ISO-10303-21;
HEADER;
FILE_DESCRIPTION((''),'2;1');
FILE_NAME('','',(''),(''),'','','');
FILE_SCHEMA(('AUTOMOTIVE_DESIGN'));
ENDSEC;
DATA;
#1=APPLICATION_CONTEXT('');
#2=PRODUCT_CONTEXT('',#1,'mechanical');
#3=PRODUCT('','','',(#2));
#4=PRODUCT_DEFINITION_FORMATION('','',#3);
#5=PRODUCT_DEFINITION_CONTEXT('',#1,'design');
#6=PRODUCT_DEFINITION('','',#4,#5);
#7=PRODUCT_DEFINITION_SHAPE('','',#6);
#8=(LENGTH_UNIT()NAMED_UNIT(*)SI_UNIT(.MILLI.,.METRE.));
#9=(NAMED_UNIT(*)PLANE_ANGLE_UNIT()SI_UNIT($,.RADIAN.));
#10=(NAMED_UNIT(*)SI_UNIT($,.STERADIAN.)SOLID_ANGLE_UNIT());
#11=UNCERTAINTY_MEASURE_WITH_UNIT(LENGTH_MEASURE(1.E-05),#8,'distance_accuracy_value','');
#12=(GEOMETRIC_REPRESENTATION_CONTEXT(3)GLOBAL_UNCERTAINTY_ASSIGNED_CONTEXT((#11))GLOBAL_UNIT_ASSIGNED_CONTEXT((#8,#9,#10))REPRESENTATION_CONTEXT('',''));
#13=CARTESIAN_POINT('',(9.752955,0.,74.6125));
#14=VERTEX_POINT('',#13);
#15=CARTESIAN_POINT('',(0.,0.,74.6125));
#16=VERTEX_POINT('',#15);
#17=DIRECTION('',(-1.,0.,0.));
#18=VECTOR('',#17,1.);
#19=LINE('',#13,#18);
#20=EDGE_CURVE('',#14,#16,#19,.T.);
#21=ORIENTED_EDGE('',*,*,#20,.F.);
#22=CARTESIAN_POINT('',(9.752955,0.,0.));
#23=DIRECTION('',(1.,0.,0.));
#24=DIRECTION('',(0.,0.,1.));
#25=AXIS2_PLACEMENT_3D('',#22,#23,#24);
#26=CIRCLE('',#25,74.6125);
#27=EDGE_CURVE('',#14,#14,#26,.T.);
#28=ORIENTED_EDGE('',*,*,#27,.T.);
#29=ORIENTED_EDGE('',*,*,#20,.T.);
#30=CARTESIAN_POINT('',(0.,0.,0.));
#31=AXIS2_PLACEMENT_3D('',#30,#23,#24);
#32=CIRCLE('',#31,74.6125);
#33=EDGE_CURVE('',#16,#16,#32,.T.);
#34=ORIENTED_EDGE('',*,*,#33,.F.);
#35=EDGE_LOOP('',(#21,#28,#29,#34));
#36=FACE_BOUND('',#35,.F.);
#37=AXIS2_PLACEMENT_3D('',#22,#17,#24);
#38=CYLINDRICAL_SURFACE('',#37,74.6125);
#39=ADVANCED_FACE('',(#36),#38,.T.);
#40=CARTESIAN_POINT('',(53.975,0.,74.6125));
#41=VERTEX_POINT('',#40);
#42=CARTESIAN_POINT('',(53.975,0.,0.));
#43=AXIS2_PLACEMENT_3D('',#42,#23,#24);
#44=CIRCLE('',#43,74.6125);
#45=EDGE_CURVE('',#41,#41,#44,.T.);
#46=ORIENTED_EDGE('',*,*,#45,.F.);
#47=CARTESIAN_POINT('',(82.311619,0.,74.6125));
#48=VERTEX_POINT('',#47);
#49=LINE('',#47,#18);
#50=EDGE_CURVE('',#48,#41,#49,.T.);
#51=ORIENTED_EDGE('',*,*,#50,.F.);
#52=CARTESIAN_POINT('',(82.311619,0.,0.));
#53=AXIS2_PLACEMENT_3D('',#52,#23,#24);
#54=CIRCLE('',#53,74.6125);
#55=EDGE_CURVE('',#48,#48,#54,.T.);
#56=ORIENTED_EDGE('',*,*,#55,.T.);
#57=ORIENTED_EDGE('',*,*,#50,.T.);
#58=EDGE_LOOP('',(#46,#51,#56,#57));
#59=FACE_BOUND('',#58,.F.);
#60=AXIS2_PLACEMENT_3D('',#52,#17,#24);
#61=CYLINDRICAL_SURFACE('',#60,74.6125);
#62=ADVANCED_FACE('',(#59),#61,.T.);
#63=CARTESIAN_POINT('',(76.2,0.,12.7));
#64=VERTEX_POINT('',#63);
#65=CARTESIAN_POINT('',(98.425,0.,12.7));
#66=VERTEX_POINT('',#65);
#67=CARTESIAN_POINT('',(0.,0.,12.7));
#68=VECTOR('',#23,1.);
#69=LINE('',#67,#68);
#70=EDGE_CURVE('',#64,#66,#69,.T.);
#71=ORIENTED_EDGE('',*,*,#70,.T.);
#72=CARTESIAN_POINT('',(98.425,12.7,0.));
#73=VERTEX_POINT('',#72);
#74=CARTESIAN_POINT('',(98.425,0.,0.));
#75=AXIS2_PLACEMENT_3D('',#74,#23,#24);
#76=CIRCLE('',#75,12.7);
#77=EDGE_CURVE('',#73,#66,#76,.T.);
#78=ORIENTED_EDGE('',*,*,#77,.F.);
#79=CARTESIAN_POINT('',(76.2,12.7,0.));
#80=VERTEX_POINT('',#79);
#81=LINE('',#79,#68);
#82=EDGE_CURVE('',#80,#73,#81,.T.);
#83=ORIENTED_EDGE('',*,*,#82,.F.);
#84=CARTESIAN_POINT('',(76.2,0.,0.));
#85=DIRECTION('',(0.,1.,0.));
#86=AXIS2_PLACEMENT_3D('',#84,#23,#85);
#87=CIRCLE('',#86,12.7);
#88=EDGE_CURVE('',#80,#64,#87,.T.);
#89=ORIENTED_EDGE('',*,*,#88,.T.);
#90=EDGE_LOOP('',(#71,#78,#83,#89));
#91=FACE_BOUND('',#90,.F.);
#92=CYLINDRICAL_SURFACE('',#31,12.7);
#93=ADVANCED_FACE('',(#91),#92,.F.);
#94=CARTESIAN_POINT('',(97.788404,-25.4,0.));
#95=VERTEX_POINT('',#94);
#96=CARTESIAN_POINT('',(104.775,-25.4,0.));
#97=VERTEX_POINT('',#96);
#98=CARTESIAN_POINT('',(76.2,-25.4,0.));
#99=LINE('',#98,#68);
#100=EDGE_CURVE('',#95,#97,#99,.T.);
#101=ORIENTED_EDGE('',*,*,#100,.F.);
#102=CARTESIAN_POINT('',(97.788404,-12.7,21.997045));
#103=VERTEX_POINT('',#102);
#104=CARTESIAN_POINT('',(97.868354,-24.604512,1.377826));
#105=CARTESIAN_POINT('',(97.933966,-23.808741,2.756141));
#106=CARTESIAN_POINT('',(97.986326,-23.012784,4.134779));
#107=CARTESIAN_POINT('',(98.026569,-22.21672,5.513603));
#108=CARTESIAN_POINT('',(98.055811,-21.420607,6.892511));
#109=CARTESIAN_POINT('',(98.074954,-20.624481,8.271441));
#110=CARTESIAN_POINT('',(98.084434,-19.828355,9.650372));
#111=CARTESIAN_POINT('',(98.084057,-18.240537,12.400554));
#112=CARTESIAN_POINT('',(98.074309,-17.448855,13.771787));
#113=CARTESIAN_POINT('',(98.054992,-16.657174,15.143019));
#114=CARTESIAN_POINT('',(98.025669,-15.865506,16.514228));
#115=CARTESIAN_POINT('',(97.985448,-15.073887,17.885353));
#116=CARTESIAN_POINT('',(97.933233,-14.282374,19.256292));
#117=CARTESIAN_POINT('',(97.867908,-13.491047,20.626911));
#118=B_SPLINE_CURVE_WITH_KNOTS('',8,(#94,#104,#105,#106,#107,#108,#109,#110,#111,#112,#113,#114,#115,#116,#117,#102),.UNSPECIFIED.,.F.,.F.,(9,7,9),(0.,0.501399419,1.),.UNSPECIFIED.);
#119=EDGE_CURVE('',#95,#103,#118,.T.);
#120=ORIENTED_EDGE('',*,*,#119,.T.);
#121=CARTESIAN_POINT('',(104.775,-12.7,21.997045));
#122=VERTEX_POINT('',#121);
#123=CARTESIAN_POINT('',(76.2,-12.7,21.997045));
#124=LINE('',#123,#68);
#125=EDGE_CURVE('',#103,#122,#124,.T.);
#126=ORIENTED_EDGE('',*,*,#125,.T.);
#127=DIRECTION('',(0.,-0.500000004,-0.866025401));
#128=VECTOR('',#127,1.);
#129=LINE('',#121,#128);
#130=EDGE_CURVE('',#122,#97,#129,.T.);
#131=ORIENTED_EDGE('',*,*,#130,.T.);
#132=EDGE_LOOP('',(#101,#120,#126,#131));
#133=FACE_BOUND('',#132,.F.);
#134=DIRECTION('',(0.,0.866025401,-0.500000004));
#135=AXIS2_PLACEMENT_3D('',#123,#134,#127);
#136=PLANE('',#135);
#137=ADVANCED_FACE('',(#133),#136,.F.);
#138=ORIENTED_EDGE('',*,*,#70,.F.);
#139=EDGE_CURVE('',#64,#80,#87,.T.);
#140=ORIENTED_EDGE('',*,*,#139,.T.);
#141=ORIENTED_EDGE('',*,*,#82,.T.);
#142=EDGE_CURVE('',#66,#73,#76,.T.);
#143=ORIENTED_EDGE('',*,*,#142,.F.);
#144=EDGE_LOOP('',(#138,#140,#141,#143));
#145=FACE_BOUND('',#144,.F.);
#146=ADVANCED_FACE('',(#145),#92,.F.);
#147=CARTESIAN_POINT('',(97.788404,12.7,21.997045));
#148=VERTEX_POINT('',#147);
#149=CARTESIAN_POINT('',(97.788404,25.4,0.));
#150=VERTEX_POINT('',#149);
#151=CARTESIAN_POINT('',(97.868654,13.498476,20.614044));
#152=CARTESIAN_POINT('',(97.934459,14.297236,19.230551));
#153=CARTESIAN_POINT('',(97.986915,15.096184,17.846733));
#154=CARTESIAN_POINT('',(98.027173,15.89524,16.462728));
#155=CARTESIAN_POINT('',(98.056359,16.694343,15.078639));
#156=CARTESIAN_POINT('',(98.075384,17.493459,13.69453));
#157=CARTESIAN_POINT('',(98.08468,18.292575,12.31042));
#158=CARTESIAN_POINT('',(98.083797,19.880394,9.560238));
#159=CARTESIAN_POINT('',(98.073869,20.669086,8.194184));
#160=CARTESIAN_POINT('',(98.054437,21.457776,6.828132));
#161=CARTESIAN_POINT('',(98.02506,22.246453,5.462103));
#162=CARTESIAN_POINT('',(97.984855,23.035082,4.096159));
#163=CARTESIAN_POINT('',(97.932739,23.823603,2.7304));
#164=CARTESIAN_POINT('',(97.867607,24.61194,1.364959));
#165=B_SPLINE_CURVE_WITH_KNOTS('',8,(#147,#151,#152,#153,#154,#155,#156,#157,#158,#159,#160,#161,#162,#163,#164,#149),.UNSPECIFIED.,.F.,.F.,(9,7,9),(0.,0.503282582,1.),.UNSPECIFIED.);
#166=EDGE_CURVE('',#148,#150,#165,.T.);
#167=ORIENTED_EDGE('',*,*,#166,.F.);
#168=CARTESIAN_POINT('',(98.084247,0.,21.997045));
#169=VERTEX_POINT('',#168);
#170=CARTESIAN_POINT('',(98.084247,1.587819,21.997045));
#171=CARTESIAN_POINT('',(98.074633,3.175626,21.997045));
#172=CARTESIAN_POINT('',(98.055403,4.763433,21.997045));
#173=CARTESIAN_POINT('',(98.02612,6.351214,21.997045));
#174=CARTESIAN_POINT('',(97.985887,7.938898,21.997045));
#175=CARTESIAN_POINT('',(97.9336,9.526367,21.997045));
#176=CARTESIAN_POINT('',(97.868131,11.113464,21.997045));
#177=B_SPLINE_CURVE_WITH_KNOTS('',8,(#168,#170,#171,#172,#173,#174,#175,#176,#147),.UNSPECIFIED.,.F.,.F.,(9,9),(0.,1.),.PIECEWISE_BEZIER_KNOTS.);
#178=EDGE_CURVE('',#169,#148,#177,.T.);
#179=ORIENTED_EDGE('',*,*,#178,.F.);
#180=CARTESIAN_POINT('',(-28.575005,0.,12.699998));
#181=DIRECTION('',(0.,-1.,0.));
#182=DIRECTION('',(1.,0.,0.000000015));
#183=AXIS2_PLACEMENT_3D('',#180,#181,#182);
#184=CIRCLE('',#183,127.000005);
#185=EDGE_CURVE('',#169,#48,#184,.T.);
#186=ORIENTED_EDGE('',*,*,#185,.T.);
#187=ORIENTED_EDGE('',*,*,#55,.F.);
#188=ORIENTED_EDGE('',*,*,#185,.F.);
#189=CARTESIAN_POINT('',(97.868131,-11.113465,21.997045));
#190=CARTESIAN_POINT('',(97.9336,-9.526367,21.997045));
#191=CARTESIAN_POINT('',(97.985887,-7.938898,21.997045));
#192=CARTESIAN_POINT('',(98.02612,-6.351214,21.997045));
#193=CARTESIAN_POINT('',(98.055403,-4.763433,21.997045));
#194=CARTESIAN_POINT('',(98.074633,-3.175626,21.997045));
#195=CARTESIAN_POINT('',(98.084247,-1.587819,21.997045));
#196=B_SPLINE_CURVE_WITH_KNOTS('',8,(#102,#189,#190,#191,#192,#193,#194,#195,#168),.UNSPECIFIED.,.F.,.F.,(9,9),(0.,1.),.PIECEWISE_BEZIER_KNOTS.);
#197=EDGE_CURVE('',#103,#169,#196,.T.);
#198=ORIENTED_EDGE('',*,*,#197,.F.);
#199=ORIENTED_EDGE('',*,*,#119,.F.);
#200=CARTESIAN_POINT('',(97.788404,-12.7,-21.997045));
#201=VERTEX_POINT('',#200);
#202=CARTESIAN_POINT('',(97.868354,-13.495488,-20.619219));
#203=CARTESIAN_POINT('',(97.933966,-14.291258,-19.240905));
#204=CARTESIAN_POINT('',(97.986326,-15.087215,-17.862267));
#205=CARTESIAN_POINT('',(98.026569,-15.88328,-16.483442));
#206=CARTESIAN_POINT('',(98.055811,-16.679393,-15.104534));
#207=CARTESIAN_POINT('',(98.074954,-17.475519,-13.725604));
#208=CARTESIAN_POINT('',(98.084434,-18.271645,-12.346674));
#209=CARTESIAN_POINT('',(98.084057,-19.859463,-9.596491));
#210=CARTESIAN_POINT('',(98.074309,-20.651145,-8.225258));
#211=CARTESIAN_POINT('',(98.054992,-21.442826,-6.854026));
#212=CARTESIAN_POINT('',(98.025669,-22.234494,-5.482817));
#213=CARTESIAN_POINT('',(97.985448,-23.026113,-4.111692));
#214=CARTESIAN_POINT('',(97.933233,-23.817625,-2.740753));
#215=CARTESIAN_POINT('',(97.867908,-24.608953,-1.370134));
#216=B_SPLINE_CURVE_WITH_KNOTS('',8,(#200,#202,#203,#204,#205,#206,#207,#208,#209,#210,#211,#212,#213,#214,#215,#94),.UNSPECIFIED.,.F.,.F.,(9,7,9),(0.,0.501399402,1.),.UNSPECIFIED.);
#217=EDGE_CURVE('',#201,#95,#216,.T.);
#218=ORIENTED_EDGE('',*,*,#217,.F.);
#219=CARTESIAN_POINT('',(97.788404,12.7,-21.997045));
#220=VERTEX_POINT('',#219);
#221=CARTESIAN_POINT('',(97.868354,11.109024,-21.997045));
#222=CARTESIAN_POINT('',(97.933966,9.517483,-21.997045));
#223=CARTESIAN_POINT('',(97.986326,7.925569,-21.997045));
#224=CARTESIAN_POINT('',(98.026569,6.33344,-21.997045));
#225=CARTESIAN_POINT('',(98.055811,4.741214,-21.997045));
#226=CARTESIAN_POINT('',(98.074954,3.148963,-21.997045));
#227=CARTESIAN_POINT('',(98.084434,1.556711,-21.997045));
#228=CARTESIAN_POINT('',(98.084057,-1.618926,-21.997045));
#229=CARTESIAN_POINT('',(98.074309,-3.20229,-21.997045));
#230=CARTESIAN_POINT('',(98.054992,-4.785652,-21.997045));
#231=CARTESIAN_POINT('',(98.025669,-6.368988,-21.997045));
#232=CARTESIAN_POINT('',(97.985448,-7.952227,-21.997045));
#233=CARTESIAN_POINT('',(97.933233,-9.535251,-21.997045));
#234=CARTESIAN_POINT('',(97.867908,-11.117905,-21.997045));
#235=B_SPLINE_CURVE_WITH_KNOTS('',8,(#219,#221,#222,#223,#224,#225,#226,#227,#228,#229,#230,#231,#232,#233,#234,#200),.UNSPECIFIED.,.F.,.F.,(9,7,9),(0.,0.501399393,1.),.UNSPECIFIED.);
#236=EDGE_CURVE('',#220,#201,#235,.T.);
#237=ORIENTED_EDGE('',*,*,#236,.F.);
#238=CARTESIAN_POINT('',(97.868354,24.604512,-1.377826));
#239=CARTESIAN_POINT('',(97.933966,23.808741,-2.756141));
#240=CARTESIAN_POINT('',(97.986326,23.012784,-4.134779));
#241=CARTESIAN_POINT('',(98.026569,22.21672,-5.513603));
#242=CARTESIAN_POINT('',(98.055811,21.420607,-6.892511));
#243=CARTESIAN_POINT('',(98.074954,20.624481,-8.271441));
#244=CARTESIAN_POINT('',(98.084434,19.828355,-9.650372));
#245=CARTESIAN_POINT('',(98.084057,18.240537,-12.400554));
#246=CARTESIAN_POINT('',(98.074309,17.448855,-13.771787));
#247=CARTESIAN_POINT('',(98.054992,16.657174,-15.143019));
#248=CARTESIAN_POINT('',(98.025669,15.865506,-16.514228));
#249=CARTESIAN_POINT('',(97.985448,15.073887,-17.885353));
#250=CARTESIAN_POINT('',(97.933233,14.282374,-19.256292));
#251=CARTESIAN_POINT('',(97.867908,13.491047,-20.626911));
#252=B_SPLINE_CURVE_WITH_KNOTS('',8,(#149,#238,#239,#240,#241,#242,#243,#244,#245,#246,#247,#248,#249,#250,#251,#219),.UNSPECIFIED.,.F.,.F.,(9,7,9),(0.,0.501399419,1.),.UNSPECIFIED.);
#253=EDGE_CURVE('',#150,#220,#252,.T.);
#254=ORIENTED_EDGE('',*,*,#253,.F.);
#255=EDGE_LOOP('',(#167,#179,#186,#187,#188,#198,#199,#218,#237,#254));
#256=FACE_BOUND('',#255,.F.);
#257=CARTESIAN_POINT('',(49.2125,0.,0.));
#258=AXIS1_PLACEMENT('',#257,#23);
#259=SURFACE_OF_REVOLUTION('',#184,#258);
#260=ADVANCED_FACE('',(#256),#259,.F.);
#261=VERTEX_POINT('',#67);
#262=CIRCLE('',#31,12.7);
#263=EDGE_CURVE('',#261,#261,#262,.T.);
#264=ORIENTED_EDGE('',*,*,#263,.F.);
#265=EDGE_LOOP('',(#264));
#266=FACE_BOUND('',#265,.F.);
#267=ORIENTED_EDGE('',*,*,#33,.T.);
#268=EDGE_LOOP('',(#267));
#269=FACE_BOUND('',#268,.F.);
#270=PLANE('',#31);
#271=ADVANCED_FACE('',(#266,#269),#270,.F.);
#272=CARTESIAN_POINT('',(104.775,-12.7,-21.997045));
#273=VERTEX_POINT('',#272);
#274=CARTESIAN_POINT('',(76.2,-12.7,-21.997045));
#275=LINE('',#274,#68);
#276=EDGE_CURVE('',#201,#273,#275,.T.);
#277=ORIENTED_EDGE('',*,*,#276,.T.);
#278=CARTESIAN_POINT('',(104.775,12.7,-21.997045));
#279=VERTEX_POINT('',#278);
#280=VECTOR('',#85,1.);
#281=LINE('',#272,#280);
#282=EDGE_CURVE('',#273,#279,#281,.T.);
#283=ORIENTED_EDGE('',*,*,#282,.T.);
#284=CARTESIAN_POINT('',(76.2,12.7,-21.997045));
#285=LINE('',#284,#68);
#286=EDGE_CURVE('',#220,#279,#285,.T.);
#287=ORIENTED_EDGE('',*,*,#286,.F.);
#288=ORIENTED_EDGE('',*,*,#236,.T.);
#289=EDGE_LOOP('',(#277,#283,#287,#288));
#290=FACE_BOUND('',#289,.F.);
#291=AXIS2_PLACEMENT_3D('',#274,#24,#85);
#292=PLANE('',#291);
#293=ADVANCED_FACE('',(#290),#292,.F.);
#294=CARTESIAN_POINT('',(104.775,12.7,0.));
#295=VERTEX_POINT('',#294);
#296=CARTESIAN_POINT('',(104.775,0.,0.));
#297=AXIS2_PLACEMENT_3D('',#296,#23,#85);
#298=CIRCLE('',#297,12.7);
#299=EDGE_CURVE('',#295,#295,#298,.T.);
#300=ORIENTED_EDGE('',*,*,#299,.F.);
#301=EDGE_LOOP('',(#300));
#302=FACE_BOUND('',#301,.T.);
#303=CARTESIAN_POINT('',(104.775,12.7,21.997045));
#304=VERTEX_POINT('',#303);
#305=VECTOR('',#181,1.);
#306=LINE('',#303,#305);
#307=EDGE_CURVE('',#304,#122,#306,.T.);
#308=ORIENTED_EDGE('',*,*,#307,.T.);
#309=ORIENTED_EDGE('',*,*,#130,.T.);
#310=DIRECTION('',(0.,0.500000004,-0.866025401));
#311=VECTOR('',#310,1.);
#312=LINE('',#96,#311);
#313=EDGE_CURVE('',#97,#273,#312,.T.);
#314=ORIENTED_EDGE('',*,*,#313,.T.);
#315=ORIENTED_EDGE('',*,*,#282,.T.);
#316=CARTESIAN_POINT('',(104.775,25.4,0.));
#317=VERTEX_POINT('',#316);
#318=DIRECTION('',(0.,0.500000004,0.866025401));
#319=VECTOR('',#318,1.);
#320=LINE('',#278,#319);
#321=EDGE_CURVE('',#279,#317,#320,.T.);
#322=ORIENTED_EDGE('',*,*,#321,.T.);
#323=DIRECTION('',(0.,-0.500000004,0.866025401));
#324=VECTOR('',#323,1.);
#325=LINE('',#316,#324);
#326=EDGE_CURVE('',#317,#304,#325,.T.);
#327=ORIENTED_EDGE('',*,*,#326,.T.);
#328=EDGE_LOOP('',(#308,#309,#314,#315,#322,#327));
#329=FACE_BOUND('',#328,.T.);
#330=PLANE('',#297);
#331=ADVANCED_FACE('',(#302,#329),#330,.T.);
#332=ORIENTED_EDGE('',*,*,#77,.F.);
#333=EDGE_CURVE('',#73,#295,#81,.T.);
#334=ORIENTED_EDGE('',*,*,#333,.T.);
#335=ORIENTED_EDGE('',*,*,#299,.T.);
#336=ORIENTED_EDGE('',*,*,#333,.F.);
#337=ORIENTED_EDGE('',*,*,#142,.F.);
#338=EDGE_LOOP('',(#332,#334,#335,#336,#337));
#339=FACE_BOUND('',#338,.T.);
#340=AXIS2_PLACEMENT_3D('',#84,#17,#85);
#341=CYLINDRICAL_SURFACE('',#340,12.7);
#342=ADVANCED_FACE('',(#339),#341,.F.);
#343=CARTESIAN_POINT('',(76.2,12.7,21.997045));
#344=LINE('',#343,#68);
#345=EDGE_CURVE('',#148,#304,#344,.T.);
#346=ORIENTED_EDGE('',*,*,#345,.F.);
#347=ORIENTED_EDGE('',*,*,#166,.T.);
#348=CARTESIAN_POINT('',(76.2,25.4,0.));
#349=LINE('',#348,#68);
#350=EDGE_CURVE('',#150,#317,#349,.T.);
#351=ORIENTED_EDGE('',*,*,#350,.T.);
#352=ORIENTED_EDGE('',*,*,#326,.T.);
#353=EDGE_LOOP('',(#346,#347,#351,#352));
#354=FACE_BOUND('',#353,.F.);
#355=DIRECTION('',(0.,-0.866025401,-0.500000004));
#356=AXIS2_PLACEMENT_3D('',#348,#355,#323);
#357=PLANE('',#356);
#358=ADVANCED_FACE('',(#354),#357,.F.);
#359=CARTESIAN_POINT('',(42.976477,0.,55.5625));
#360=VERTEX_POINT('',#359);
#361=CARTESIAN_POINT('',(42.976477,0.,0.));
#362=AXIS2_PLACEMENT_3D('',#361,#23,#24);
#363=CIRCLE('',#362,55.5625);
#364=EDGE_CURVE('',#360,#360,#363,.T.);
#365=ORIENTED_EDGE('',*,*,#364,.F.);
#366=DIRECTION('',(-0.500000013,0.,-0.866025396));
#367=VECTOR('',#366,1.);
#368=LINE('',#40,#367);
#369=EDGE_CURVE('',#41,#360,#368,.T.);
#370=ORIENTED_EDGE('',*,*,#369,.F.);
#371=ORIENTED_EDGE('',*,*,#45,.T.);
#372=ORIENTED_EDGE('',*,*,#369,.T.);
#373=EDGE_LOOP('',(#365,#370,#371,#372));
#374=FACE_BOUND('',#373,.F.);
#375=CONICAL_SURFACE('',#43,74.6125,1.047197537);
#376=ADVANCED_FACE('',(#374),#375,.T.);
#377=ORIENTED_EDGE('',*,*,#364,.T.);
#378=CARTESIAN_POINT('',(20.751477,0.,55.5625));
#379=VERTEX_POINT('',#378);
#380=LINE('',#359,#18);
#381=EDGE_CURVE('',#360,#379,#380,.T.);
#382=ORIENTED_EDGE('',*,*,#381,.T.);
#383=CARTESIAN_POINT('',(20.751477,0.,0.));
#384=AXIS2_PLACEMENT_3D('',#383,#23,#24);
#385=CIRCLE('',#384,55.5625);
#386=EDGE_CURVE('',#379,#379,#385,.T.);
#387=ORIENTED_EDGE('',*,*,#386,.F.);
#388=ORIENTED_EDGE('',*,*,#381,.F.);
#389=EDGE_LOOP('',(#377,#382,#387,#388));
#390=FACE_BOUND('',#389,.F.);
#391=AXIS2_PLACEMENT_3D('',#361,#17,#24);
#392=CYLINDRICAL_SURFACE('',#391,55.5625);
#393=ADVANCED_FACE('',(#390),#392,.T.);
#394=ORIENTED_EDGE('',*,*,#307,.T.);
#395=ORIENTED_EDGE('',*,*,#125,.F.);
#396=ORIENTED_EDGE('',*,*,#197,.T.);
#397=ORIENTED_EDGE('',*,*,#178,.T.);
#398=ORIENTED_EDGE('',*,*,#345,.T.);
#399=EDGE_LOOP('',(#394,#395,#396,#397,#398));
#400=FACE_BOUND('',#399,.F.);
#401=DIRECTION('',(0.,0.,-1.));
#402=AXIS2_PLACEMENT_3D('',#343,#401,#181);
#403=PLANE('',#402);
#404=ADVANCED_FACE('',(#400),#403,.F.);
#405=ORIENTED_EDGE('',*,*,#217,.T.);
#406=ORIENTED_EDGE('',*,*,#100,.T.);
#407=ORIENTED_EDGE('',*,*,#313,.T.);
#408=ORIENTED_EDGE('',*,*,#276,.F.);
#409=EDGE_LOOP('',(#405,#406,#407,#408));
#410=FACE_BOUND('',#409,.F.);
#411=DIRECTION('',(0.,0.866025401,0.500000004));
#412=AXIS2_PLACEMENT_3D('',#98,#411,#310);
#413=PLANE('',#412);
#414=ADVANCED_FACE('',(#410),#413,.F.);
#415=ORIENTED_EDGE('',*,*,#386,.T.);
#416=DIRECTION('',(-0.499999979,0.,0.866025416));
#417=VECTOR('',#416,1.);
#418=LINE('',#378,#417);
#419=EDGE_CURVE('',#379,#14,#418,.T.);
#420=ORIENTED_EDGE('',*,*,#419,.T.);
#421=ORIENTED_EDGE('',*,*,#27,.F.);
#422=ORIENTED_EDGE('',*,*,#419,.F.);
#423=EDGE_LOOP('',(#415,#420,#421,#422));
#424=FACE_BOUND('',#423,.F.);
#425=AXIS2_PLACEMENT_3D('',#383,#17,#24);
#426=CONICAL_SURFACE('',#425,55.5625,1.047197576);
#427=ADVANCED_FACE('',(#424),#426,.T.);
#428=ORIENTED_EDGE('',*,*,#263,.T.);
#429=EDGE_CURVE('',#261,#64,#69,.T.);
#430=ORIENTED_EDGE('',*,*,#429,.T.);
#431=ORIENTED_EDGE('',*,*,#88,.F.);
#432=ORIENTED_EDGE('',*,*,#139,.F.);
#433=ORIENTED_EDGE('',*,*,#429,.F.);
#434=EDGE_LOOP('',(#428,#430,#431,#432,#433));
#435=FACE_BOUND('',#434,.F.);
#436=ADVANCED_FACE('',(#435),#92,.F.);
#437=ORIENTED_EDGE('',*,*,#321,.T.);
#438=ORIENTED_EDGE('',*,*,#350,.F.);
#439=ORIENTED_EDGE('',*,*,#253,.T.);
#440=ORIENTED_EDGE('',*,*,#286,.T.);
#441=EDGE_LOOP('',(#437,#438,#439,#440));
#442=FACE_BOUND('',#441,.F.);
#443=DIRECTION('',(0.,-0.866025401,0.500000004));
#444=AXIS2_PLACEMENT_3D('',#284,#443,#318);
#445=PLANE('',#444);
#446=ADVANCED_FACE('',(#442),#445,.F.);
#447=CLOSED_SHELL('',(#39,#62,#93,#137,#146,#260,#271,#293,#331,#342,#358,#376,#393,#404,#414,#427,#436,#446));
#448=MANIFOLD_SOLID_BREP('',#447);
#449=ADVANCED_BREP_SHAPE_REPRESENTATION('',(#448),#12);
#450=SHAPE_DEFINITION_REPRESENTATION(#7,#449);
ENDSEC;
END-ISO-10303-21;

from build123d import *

# Parameters (mm, degrees)
F3_R     = 12.7
F4_DEPTH = 28.575


with BuildPart() as f1:
    # F0 (on Front) → F1 (revolve)
    with BuildSketch(Plane.XZ):
        with BuildLine():
            Line((9.752955, 74.6125), (0, 74.6125))
            Line((0, 74.6125), (0, 12.7))
            Line((0, 12.7), (98.425, 12.7))
            ThreePointArc((98.425, 12.7), (94.330656, 44.687492), (82.311619, 74.6125))
            Line((82.311619, 74.6125), (53.975, 74.6125))
            Line((53.975, 74.6125), (42.976477, 55.5625))
            Line((42.976477, 55.5625), (20.751477, 55.5625))
            Line((20.751477, 55.5625), (9.752955, 74.6125))
        make_face()
    revolve(axis=Axis((49.2125, 0, 0), (1, 0, 0)))

    # F3 (on offset) → F4 (join)
    with BuildSketch(Plane.YZ.offset(76.2)):
        Polygon((25.4, 0), (12.7, 21.997045), (-12.7, 21.997045), (-25.4, 0), (-12.7, -21.997045), (12.7, -21.997045), align=None)
        Circle(F3_R, mode=Mode.SUBTRACT)
    extrude(amount=F4_DEPTH)


solid = f1.part
